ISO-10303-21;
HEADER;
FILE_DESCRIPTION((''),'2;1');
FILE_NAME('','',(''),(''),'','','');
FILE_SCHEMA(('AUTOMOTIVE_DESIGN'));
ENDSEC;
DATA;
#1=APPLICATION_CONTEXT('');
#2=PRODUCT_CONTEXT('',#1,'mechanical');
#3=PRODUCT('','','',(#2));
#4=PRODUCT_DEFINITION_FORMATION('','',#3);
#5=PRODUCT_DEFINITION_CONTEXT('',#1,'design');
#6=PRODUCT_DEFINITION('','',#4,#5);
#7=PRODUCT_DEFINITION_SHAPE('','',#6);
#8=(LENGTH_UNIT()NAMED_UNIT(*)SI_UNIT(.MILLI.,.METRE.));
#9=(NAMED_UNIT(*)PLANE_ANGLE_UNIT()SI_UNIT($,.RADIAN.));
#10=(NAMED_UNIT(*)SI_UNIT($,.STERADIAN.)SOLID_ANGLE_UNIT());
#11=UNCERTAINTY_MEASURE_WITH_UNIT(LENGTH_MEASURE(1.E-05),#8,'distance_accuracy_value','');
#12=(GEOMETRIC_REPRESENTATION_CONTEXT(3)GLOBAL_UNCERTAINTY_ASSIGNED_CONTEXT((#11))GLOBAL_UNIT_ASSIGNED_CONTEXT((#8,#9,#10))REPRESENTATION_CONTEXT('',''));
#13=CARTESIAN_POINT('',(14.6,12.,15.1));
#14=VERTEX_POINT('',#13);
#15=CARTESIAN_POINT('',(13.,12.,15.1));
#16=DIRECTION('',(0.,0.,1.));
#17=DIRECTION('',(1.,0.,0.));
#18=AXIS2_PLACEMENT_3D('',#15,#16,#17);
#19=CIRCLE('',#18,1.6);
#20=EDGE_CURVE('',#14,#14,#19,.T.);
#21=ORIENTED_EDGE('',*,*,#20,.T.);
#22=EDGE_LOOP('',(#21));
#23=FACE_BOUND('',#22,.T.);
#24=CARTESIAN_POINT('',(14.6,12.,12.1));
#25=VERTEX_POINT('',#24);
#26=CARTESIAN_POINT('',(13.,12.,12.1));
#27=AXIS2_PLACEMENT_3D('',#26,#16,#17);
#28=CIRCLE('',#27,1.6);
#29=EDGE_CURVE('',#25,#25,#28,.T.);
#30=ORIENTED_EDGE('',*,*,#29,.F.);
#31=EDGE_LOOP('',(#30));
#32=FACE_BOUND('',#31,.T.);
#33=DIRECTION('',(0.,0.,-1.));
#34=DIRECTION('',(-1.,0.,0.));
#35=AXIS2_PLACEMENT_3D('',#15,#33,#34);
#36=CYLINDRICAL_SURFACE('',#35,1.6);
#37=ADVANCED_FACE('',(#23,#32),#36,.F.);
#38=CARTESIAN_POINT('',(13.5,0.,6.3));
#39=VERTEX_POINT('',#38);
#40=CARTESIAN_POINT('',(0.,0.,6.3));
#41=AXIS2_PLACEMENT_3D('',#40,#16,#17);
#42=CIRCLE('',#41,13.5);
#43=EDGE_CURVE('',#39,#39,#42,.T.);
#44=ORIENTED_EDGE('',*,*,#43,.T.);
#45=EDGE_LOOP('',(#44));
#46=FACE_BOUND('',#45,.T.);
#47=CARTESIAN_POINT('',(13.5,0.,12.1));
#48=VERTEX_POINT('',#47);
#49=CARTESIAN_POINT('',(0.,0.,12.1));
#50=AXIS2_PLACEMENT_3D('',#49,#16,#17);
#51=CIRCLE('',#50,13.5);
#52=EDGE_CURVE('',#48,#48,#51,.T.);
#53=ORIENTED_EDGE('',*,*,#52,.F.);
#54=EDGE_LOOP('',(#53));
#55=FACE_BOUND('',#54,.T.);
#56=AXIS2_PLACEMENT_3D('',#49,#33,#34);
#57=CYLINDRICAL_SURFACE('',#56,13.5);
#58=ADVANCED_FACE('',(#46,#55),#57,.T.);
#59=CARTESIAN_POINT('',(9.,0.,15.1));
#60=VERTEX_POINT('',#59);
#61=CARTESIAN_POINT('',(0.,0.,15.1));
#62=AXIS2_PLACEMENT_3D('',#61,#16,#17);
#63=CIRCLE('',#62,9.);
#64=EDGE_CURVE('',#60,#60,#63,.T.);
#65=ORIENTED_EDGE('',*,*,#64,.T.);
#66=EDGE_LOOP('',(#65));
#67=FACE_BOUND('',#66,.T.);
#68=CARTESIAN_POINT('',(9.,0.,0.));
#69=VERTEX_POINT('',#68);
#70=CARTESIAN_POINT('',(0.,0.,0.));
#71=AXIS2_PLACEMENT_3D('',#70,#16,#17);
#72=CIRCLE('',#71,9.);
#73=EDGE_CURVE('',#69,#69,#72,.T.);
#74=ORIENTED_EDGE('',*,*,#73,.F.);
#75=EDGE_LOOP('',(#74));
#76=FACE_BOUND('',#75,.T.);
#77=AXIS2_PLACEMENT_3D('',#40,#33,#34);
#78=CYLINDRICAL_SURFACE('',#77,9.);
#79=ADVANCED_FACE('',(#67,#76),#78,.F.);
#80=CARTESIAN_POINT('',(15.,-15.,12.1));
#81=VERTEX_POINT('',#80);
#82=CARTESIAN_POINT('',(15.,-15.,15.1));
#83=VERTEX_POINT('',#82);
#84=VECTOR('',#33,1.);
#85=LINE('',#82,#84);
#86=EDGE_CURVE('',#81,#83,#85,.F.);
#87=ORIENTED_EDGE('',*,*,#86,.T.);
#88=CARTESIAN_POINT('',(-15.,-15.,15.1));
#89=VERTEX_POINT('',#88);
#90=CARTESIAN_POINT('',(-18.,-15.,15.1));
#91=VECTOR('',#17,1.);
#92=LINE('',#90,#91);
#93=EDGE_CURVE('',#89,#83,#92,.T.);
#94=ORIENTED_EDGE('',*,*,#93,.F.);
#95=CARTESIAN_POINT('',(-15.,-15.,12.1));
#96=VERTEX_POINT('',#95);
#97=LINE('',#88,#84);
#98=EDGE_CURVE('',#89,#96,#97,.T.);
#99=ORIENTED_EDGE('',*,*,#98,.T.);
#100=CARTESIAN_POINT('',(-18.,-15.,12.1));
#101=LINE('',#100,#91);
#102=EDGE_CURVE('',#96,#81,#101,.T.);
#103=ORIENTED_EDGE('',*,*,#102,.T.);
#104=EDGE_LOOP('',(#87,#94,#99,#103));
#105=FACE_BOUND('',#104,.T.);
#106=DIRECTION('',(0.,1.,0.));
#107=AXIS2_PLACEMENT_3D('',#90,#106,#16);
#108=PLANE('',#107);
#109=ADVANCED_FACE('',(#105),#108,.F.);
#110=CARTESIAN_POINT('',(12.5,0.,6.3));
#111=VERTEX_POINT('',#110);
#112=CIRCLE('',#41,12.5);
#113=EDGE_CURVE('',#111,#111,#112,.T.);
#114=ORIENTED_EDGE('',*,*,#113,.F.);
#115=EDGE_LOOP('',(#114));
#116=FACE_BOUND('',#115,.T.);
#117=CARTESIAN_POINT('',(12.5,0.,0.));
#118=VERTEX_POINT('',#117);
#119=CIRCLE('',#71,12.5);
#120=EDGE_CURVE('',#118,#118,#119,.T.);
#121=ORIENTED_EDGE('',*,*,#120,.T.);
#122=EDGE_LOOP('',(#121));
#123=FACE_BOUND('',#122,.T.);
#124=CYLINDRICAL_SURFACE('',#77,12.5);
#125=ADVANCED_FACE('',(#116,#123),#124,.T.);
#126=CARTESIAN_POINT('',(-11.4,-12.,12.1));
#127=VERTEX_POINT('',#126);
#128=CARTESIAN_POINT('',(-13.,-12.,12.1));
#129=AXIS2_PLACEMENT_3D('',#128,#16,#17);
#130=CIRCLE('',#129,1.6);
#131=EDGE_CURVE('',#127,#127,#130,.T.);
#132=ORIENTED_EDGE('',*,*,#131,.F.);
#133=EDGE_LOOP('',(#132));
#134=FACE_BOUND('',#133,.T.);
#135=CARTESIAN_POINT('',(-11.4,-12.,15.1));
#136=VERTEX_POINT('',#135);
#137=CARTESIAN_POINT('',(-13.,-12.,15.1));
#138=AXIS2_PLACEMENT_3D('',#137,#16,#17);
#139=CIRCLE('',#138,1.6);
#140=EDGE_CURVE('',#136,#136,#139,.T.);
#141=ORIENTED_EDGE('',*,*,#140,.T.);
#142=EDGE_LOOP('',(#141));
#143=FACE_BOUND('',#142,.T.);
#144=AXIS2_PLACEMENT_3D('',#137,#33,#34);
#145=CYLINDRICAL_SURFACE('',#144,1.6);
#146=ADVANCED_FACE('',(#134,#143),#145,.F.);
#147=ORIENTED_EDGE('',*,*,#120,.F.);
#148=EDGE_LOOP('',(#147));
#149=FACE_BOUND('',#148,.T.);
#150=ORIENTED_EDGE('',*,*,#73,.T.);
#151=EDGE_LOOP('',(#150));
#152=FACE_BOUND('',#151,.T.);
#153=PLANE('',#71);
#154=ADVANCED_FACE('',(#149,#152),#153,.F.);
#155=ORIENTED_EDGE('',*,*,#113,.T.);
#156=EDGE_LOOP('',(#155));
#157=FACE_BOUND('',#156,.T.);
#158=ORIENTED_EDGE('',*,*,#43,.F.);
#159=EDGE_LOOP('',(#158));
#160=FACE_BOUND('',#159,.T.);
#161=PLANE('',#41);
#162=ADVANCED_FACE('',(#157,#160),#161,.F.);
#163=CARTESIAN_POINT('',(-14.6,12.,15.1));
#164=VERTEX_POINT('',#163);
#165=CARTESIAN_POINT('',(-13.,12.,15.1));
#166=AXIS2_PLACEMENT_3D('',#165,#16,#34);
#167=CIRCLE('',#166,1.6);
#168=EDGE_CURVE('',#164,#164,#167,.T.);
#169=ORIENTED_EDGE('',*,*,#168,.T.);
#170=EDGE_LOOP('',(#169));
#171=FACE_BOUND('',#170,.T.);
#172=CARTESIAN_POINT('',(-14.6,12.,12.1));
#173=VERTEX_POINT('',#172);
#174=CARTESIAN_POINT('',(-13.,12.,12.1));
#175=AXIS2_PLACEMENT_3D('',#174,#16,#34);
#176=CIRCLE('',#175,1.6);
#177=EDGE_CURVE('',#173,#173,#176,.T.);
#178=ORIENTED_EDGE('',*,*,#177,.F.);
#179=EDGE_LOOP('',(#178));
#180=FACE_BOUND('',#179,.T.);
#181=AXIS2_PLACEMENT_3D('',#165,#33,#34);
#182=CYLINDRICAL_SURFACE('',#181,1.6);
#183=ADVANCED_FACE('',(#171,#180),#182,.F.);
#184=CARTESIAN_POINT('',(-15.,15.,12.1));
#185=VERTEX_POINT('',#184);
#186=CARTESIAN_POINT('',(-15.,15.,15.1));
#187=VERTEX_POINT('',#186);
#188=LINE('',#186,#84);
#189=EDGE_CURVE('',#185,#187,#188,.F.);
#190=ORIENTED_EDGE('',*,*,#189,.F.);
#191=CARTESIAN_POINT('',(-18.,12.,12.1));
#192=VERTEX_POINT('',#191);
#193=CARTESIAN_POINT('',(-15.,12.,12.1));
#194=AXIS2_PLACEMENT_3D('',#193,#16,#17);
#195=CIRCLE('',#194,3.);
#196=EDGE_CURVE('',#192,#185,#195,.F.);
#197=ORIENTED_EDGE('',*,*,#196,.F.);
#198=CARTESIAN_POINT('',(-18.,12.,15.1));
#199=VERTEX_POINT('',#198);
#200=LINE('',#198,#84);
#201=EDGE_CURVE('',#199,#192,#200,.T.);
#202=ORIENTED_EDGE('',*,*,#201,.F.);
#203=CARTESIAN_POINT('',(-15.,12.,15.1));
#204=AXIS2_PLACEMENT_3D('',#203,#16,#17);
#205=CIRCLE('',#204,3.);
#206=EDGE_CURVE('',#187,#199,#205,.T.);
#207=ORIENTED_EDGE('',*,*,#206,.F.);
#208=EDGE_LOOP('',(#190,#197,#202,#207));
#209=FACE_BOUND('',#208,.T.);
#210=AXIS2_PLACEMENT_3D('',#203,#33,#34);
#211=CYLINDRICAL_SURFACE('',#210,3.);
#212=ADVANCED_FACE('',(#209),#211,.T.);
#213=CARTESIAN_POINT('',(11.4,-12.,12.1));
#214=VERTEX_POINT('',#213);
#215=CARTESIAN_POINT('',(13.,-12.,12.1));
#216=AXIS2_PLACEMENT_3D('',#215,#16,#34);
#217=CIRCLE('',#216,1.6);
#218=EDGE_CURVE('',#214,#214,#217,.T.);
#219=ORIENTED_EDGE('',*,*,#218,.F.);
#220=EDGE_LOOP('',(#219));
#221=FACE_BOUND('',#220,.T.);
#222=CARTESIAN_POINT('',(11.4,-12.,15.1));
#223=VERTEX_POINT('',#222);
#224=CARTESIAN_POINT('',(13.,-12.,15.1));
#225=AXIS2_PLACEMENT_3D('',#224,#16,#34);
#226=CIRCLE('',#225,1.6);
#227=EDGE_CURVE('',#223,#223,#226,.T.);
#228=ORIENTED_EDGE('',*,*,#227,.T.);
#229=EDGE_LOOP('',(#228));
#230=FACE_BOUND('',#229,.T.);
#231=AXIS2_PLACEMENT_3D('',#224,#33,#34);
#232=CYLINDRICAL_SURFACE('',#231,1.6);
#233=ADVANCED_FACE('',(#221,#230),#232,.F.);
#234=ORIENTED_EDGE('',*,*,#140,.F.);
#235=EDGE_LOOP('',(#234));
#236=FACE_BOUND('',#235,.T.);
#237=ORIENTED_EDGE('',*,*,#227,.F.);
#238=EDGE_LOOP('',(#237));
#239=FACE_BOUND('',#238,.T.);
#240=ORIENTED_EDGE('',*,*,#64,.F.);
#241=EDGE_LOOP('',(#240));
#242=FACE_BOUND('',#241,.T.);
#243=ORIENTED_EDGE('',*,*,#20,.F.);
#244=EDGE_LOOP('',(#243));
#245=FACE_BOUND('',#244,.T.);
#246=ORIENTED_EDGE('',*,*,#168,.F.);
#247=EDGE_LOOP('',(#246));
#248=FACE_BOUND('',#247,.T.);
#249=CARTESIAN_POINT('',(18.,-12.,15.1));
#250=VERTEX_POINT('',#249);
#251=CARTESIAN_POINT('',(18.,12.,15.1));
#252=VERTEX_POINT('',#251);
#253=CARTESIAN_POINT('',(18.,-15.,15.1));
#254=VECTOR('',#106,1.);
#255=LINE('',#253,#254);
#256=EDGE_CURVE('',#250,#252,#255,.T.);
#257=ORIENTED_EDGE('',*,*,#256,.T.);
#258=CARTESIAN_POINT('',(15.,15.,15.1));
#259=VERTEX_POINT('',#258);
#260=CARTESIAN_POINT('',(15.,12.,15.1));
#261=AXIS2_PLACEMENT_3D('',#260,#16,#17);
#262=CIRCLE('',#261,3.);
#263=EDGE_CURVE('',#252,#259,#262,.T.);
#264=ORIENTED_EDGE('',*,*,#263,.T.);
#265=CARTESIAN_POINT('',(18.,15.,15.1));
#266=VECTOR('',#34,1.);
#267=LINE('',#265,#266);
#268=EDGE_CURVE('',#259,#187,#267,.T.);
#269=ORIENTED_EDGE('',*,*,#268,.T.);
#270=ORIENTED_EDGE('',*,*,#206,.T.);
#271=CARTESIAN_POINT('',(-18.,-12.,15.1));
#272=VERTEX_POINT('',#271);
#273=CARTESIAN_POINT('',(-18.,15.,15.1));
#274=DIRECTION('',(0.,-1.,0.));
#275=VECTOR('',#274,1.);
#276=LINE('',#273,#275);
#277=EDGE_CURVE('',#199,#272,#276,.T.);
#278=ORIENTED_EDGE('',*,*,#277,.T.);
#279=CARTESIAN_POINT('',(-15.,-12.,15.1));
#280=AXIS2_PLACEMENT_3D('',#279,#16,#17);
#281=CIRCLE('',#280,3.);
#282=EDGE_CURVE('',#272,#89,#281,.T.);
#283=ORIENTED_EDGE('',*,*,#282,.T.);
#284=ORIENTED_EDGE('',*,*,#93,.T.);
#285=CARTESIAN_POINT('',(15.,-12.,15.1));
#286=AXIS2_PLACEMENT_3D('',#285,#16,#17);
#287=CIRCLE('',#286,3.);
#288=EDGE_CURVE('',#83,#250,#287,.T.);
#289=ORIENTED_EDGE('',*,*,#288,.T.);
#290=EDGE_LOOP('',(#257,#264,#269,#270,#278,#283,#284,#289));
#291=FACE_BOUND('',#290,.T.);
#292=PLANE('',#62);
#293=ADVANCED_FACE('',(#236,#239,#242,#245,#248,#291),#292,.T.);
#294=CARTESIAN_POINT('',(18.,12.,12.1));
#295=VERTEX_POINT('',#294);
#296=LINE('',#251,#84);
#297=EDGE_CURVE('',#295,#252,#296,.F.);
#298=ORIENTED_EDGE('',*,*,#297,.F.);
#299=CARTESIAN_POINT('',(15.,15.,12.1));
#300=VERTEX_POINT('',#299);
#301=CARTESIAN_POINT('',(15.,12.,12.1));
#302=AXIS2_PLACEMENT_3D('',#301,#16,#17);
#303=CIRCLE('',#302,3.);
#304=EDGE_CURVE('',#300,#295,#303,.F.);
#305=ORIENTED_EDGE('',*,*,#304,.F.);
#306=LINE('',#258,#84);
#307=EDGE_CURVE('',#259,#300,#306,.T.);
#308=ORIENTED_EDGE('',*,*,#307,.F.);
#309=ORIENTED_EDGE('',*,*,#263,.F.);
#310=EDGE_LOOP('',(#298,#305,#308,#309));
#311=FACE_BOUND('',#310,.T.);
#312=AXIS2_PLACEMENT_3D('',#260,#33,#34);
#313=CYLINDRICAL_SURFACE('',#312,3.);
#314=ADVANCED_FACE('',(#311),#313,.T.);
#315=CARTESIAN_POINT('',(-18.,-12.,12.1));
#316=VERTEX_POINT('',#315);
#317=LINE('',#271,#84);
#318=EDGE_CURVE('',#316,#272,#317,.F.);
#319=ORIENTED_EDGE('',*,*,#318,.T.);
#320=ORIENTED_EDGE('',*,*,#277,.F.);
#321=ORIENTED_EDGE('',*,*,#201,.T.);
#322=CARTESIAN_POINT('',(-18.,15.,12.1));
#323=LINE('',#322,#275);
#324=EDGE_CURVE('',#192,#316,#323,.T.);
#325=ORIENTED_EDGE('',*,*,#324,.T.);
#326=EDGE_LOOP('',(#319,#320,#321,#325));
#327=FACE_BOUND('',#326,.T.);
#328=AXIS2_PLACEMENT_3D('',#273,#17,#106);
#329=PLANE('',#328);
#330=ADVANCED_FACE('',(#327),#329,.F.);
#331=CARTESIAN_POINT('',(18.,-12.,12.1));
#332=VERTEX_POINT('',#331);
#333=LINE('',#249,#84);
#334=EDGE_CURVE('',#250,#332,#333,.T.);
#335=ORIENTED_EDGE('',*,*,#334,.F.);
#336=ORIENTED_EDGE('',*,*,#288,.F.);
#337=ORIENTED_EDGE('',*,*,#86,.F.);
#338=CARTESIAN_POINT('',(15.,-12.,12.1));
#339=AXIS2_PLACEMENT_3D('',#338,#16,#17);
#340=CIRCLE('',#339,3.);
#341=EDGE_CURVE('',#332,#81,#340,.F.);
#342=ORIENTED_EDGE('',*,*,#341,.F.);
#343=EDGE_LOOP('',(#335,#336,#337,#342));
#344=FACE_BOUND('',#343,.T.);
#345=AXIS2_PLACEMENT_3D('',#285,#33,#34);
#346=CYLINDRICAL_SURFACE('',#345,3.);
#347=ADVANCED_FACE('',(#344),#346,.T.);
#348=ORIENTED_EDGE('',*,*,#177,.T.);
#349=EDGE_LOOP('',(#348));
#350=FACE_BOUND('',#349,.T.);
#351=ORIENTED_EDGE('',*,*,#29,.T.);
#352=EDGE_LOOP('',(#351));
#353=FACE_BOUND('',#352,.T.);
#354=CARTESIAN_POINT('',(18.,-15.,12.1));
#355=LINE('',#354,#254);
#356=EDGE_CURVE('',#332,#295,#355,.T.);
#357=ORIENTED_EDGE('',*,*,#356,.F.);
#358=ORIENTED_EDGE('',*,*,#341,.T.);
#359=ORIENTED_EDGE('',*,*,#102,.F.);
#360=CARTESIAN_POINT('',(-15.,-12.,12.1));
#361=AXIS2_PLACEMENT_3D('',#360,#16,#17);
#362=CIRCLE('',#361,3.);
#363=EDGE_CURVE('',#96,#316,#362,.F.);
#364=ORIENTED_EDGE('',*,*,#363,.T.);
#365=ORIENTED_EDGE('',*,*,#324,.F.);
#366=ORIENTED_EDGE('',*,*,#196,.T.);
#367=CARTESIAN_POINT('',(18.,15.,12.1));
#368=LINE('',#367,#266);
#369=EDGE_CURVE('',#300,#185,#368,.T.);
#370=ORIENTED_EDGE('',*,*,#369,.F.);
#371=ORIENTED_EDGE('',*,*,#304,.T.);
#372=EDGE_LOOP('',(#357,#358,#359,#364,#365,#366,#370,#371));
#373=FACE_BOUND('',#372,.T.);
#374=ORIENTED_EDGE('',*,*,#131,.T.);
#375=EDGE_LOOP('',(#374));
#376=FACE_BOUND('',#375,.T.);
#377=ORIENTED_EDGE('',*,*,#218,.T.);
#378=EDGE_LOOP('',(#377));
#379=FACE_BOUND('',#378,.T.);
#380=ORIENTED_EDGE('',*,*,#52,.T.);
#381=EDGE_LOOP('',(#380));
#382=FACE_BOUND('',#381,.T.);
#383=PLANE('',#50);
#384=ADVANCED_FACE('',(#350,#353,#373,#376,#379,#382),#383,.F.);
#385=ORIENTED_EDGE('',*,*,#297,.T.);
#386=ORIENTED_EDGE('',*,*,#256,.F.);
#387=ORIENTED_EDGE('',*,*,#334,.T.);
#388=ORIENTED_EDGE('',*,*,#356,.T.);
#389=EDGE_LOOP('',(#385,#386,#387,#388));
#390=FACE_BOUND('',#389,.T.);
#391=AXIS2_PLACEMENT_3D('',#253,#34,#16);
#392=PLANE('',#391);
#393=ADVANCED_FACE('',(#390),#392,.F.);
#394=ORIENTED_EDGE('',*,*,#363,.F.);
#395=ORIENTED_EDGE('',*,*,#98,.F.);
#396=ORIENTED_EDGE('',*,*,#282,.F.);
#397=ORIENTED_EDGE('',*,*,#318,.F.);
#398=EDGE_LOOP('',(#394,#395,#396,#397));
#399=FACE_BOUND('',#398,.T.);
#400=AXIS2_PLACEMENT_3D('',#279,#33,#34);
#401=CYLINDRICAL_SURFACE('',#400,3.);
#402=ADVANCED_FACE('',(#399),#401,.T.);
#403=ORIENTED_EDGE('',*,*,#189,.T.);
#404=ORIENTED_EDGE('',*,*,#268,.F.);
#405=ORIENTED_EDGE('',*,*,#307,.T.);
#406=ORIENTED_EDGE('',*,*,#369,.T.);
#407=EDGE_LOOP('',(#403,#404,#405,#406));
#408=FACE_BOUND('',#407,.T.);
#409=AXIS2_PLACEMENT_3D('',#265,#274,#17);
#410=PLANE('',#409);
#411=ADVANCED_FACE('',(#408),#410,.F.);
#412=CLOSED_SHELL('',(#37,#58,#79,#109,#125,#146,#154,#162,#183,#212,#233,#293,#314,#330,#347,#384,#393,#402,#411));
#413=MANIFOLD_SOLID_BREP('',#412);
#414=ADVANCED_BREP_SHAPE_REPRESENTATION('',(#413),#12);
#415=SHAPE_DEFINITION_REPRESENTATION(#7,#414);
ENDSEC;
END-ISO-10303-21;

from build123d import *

# Parameters (mm, degrees)
SKETCH_1_R      = 12.5
SKETCH_1_R_2    = 9
EXTRUDE_1_DEPTH = 6.3
SKETCH_2_R      = 13.5
SKETCH_2_R_2    = 9
EXTRUDE_2_DEPTH = 5.8
SKETCH_3_W      = 36
SKETCH_3_H      = 30
SKETCH_3_R      = 9
SKETCH_3_R_2    = 1.6
EXTRUDE_3_DEPTH = 3
FILLET_1_R      = 3


with BuildPart() as part:
    # 草图1 → 凸台-拉伸1 (new body)
    with BuildSketch(Plane.XY):
        Circle(SKETCH_1_R)
        Circle(SKETCH_1_R_2, mode=Mode.SUBTRACT)
    extrude(amount=EXTRUDE_1_DEPTH)

    # 草图2 → 凸台-拉伸2 (add)
    with BuildSketch(Plane.XY.offset(6.3)):
        Circle(SKETCH_2_R)
        Circle(SKETCH_2_R_2, mode=Mode.SUBTRACT)
    extrude(amount=EXTRUDE_2_DEPTH)

    # 草图3 → 凸台-拉伸3 (add)
    with BuildSketch(Plane.XY.offset(12.1)):
        Rectangle(SKETCH_3_W, SKETCH_3_H)
        Circle(SKETCH_3_R, mode=Mode.SUBTRACT)
        with Locations((13, 12)):
            Circle(SKETCH_3_R_2, mode=Mode.SUBTRACT)
        with Locations(Location((13, -12, 0), (0, 0, 180))):
            Circle(SKETCH_3_R_2, mode=Mode.SUBTRACT)
        with Locations((-13, -12)):
            Circle(SKETCH_3_R_2, mode=Mode.SUBTRACT)
        with Locations(Location((-13, 12, 0), (0, 0, 180))):
            Circle(SKETCH_3_R_2, mode=Mode.SUBTRACT)
    extrude(amount=EXTRUDE_3_DEPTH)

    # 圆角1
    fillet_1_edges = [part.edges().sort_by_distance(p)[0] for p in [
        (18, 15, 13.6),
        (-18, 15, 13.6),
        (-18, -15, 13.6),
        (18, -15, 13.6),
    ]]
    fillet(fillet_1_edges, radius=FILLET_1_R)


solid = part.part
